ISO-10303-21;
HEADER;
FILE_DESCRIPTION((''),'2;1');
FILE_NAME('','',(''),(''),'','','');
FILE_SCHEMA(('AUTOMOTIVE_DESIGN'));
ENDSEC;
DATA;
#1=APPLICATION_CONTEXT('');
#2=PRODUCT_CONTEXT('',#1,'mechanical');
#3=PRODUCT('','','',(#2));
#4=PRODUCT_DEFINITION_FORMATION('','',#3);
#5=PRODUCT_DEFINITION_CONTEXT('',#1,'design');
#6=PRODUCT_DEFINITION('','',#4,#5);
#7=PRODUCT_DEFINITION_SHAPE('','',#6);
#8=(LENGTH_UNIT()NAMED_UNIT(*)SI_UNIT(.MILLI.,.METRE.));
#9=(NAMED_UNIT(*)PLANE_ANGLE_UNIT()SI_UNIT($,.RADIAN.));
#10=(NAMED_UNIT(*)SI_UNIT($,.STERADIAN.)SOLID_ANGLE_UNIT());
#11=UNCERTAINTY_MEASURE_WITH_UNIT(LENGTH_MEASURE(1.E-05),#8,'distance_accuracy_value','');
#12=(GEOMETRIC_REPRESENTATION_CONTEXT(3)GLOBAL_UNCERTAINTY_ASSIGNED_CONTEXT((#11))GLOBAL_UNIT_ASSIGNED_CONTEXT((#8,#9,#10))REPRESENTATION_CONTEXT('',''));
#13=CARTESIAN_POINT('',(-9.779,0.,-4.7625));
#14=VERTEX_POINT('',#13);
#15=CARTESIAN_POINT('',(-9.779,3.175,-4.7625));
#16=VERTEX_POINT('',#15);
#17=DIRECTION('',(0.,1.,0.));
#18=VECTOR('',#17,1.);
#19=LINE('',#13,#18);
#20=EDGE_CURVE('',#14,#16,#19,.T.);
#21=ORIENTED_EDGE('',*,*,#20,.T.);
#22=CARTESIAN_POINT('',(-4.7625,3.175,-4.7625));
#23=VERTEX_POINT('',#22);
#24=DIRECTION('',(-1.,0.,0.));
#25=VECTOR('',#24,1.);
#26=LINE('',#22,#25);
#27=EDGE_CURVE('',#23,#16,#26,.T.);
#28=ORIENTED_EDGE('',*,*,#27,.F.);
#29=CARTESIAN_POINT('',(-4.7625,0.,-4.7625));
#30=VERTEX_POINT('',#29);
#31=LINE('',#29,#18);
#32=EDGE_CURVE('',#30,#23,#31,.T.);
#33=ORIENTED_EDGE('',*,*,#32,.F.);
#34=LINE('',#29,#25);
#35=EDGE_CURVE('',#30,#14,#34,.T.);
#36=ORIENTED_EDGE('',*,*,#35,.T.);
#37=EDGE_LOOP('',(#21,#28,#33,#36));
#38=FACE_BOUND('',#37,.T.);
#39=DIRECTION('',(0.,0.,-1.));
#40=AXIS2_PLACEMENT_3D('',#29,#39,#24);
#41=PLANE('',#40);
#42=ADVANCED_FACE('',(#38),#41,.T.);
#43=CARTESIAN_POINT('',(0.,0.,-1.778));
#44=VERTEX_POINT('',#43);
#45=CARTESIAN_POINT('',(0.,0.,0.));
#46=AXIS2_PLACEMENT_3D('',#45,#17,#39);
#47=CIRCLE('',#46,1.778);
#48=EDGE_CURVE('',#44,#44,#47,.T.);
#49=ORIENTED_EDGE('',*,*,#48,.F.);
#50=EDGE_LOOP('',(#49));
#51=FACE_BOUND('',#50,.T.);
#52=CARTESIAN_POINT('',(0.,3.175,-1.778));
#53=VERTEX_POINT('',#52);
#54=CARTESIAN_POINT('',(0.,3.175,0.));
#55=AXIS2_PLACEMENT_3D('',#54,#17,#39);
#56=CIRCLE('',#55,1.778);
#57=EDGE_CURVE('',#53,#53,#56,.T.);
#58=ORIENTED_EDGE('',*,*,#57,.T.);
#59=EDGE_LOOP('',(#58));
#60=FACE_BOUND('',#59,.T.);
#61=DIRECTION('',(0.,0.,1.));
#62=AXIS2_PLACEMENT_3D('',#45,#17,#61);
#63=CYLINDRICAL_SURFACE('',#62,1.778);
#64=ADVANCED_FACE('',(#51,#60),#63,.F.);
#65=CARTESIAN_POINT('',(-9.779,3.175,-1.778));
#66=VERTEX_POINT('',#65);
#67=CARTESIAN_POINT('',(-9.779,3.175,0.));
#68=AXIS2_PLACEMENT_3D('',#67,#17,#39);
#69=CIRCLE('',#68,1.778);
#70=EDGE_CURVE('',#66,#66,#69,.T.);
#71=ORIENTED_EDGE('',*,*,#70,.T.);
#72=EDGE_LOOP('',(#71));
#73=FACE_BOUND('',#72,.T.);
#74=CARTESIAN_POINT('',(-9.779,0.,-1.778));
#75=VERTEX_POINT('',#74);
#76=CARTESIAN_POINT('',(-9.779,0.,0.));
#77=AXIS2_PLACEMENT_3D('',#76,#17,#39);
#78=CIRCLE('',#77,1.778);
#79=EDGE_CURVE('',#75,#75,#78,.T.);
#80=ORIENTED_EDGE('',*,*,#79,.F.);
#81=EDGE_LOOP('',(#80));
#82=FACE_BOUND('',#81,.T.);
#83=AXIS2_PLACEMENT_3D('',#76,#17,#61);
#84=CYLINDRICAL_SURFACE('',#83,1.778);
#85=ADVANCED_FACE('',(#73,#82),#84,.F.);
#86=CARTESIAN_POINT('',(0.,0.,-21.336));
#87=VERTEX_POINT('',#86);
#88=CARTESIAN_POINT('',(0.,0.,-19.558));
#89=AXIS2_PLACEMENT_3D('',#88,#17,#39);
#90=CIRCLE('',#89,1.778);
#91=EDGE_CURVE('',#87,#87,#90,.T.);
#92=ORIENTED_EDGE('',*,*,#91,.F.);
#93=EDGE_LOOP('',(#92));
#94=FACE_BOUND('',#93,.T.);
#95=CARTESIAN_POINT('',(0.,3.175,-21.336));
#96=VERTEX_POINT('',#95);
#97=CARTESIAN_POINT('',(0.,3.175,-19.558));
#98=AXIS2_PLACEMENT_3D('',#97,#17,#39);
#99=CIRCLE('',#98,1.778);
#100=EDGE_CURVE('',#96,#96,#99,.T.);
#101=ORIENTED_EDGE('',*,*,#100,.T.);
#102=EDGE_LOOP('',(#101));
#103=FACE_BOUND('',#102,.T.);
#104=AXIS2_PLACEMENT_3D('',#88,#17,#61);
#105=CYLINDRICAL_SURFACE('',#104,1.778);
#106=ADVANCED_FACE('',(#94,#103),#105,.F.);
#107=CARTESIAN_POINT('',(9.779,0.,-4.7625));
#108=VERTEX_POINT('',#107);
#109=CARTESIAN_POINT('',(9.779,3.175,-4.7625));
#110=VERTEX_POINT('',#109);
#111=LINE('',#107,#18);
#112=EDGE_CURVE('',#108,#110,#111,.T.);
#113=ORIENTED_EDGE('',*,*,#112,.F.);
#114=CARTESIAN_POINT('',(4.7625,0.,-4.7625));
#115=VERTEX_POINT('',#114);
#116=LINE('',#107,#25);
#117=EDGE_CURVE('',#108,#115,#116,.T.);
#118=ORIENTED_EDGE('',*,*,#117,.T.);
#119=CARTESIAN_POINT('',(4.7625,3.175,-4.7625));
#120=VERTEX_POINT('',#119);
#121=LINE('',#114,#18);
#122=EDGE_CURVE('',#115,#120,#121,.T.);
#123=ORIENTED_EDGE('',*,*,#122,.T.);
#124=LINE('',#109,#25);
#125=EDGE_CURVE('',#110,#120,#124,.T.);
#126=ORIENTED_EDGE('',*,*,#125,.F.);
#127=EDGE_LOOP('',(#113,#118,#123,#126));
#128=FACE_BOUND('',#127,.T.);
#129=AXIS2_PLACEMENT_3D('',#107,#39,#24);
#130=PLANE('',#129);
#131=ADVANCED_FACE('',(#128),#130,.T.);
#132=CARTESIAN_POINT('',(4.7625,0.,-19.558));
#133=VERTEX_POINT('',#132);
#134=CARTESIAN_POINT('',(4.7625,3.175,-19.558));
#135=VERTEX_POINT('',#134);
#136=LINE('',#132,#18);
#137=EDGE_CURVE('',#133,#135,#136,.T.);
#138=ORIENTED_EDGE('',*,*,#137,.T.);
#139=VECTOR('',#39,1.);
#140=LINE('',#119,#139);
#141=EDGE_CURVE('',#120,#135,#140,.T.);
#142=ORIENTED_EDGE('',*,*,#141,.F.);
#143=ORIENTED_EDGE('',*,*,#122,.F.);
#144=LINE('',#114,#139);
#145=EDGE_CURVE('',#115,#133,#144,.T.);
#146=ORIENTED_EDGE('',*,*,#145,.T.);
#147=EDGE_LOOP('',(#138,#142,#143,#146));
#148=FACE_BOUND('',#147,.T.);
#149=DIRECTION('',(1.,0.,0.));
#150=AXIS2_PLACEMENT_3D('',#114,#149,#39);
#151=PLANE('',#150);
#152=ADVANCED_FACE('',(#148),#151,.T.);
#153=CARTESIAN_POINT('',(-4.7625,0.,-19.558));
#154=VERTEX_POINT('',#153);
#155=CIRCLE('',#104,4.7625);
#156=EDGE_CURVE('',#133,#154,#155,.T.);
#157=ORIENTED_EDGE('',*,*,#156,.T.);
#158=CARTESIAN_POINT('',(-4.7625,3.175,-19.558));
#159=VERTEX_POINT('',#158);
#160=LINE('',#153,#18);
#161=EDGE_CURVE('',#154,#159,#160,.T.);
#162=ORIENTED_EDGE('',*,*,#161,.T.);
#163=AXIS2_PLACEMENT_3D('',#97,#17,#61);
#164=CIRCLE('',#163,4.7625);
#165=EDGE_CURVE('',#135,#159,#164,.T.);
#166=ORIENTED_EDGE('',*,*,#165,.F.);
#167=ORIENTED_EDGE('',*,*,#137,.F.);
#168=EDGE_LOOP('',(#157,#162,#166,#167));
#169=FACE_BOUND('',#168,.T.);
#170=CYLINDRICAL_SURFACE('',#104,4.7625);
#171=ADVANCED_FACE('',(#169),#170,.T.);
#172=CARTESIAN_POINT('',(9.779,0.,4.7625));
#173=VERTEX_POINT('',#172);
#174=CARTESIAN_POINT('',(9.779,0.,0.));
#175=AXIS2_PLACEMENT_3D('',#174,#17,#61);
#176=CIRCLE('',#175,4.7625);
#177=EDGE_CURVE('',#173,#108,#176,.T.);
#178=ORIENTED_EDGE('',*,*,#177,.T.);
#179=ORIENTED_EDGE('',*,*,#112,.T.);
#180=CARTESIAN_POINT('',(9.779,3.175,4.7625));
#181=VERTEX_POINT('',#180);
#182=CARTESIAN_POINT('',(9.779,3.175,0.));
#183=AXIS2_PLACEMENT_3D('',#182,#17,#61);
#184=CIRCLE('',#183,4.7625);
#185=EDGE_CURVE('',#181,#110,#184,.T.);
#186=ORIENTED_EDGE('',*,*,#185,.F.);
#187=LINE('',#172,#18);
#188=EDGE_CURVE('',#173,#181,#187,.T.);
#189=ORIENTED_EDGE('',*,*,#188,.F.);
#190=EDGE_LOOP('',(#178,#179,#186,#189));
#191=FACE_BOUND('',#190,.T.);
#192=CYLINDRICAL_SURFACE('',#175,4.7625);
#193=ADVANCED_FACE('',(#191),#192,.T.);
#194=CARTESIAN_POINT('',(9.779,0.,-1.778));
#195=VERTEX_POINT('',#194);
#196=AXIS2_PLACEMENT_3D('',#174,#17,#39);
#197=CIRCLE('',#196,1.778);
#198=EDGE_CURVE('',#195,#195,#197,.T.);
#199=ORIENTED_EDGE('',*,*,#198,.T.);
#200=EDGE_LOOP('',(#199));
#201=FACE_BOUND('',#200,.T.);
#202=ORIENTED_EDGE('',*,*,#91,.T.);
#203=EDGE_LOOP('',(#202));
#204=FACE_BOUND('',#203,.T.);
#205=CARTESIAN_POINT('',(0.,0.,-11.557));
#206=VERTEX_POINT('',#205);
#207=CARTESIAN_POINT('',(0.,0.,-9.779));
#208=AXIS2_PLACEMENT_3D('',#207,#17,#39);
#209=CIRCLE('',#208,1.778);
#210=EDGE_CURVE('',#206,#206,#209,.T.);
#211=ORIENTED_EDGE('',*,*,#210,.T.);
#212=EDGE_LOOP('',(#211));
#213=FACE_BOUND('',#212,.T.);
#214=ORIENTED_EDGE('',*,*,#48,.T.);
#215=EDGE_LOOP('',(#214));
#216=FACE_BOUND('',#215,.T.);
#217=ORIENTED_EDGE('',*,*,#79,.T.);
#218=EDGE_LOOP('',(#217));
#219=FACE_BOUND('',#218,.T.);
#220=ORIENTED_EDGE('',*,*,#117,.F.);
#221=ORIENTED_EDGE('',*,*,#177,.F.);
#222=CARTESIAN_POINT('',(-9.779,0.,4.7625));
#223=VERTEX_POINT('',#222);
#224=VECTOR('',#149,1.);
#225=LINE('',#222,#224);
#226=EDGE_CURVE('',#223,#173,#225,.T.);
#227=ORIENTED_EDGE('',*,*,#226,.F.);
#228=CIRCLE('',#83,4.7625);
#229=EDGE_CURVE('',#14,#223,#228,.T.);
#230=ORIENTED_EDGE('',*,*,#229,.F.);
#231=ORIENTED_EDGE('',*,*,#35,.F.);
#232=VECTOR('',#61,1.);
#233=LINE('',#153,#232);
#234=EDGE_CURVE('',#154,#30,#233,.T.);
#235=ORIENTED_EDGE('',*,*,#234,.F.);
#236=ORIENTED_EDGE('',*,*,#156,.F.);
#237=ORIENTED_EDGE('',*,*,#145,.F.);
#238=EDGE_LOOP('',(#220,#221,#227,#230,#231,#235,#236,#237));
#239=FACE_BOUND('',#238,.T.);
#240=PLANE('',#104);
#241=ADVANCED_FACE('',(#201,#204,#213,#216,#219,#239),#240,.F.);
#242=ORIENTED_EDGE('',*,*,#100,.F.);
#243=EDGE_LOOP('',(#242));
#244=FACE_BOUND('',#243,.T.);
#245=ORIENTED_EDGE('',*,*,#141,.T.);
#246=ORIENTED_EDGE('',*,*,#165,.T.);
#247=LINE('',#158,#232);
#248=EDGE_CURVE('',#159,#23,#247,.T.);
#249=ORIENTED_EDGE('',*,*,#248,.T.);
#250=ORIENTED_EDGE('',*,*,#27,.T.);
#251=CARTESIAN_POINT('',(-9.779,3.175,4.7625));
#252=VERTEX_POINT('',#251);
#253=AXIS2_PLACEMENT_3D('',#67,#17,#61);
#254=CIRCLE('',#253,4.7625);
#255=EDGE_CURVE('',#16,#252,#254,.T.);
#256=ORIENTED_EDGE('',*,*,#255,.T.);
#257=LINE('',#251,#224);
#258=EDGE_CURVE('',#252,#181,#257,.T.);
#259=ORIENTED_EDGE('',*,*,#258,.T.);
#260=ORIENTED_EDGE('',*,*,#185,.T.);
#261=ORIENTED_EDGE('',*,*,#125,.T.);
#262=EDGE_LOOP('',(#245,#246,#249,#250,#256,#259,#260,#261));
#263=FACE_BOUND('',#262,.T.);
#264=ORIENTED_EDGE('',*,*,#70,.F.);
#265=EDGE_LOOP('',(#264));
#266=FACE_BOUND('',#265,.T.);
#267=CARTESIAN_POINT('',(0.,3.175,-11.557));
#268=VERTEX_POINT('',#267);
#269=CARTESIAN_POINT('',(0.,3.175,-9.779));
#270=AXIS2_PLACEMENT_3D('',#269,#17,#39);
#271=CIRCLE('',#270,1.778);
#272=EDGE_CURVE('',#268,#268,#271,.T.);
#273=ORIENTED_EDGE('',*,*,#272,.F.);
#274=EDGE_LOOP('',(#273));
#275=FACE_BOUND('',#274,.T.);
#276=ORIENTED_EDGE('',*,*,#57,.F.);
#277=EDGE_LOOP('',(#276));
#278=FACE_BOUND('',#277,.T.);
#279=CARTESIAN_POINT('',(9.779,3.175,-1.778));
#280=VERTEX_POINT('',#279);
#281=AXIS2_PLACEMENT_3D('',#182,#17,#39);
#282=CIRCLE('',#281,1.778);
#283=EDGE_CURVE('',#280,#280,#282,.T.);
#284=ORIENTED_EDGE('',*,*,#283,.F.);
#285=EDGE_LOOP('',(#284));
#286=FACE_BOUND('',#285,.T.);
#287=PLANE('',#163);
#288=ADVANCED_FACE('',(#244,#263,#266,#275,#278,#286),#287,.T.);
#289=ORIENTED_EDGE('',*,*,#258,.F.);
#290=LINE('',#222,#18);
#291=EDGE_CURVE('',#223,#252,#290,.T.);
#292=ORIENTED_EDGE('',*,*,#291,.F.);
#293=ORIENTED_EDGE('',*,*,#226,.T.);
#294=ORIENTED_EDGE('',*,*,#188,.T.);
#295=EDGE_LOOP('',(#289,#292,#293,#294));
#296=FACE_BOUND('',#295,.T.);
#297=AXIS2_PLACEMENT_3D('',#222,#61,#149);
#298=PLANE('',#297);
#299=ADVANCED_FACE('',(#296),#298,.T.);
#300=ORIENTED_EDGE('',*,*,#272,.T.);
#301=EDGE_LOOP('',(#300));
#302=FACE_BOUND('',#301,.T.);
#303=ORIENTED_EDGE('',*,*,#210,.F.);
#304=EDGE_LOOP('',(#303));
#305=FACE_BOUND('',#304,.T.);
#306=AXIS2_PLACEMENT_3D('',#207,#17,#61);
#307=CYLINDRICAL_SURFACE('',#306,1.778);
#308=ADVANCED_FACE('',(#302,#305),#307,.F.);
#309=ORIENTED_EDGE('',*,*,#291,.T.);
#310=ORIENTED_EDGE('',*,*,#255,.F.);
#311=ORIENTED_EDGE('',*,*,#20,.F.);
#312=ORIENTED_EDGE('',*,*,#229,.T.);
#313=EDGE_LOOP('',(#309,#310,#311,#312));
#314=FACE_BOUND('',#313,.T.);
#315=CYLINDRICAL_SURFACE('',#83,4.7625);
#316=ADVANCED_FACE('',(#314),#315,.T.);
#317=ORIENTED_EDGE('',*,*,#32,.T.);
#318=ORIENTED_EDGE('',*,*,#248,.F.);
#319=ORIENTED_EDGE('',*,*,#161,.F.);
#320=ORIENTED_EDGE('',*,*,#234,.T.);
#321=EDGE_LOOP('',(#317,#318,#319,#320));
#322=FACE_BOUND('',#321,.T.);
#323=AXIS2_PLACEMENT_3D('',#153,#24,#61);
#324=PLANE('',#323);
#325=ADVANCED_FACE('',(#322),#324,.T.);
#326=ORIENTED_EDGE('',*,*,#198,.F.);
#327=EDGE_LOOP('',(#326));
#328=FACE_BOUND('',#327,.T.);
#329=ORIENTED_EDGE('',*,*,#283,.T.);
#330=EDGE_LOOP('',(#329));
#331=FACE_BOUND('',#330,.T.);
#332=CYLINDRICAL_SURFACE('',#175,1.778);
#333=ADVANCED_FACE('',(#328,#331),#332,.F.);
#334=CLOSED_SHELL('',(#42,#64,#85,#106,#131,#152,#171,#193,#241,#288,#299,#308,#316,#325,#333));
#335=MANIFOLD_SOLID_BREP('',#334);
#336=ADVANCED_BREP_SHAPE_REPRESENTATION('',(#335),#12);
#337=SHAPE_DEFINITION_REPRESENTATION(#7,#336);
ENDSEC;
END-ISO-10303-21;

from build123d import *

# Parameters (mm, degrees)
SKETCH1_R           = 1.778
BOSS_EXTRUDE1_DEPTH = 3.175


with BuildPart() as part:
    # Sketch1 → Boss-Extrude1 (new body)
    with BuildSketch(Plane(origin=(0, 3.175, 0), x_dir=(1, 0, 0), z_dir=(0, 1, 0))):
        with BuildLine():
            Line((4.7625, 4.7625), (4.7625, 19.558))
            ThreePointArc((4.7625, 19.558), (0, 24.3205), (-4.7625, 19.558))
            Line((-4.7625, 19.558), (-4.7625, 4.7625))
            Line((-4.7625, 4.7625), (-9.779, 4.7625))
            ThreePointArc((-9.779, 4.7625), (-14.5415, 0), (-9.779, -4.7625))
            Line((-9.779, -4.7625), (9.779, -4.7625))
            ThreePointArc((9.779, -4.7625), (14.5415, 0), (9.779, 4.7625))
            Line((9.779, 4.7625), (4.7625, 4.7625))
        make_face()
        with Locations((0, 19.558)):
            Circle(SKETCH1_R, mode=Mode.SUBTRACT)
        with Locations((9.779, 0)):
            Circle(SKETCH1_R, mode=Mode.SUBTRACT)
        with Locations((0, 9.779)):
            Circle(SKETCH1_R, mode=Mode.SUBTRACT)
        with Locations((-9.779, 0)):
            Circle(SKETCH1_R, mode=Mode.SUBTRACT)
        Circle(SKETCH1_R, mode=Mode.SUBTRACT)
    extrude(amount=-BOSS_EXTRUDE1_DEPTH)


solid = part.part
